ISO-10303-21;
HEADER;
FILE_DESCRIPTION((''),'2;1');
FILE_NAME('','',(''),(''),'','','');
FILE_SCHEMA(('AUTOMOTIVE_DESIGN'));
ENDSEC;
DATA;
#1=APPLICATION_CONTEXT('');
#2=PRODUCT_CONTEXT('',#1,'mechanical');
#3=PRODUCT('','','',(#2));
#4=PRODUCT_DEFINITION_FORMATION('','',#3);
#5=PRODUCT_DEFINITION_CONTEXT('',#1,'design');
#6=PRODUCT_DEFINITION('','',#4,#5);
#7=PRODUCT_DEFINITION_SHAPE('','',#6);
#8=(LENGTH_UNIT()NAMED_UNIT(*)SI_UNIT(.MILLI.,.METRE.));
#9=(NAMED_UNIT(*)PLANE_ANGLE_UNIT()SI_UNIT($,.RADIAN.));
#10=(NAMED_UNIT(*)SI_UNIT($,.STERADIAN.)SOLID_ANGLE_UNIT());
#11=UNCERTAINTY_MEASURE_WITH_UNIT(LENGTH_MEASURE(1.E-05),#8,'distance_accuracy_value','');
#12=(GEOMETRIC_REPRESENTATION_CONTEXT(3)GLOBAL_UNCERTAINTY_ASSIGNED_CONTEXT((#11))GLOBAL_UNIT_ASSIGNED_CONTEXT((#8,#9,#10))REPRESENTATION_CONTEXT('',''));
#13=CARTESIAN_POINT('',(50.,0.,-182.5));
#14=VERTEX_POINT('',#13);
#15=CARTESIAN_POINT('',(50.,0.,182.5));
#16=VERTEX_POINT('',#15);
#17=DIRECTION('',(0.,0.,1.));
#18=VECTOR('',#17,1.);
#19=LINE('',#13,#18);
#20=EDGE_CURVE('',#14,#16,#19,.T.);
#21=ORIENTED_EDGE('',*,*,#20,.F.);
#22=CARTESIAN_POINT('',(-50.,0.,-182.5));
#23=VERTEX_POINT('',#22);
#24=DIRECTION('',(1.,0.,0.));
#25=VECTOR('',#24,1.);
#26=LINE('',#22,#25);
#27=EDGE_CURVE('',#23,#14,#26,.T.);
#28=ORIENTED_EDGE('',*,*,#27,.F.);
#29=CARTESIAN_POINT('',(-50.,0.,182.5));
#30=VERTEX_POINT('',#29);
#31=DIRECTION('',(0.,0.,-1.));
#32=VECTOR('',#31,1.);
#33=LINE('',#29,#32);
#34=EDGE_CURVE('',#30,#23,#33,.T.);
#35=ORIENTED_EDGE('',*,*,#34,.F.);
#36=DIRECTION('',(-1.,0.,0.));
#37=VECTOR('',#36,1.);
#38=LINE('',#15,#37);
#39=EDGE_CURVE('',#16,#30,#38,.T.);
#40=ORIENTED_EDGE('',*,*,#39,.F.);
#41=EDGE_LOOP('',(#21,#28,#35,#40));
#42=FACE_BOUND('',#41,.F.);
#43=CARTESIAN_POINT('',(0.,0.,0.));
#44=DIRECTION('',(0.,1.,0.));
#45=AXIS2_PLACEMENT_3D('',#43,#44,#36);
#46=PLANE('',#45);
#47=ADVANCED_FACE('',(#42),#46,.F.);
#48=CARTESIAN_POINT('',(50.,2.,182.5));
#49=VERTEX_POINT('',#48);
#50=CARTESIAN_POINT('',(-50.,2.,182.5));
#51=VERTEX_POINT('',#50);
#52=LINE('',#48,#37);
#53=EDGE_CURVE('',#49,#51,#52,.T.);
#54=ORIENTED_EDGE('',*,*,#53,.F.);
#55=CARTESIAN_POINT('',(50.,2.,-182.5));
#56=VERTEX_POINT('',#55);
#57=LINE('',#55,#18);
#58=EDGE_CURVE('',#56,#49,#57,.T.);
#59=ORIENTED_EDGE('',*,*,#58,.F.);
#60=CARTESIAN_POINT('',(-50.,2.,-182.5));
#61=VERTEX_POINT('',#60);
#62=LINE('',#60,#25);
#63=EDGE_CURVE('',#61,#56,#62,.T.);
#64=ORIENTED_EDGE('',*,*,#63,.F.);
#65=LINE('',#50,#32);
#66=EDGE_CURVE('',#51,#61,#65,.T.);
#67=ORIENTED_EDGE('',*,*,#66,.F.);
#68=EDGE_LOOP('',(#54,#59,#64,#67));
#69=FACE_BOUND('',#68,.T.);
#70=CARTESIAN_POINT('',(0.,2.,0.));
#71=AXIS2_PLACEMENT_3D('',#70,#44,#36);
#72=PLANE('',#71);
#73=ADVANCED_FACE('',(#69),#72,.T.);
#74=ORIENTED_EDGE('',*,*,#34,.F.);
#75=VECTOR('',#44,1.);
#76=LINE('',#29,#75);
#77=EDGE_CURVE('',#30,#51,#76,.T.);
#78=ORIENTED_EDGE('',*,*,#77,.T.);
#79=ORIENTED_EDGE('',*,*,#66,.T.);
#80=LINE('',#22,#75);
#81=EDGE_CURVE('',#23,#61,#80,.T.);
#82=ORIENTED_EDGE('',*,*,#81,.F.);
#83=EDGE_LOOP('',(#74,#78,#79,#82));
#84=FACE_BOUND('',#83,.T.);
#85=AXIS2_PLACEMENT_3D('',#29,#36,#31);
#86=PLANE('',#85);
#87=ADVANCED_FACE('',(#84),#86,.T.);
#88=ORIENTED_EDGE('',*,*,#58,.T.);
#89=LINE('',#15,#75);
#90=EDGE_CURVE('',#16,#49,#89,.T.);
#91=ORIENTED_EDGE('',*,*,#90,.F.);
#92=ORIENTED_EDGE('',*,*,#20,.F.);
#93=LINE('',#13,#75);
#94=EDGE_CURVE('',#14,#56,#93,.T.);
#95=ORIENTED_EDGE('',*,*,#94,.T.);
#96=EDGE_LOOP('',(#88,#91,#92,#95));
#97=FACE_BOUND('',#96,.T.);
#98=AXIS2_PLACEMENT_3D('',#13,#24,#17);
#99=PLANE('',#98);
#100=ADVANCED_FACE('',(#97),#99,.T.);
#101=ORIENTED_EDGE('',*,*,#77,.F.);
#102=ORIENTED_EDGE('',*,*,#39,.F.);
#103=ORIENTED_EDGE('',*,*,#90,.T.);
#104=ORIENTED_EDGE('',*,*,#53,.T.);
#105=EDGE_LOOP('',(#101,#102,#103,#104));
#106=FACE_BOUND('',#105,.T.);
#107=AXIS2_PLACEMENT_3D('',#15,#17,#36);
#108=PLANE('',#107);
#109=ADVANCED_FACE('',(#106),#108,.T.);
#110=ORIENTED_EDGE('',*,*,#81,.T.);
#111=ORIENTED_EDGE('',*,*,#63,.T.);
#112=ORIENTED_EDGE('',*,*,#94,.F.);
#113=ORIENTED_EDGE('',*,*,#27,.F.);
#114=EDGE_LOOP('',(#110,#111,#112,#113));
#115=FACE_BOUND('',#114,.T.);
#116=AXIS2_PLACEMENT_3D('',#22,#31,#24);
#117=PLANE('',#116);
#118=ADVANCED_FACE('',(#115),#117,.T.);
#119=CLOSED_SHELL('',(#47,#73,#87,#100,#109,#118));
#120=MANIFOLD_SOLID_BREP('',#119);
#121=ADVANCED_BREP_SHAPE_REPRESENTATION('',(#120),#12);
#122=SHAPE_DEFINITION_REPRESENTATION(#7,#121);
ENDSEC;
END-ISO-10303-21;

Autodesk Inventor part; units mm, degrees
ref_plane "YZ Plane" through (0, 0, 0) normal (1, 0, 0) x (0, 1, 0)
ref_plane "XZ Plane" through (0, 0, 0) normal (0, 1, 0) x (-1, 0, 0)
ref_plane "XY Plane" through (0, 0, 0) normal (0, 0, 1) x (1, 0, 0)
sketch "Sketch1" plane through (0, 0, 0) normal (0, 1, 0) x (-1, 0, 0)
  line L0 (-50, 182.5) -> (50, 182.5)
  line L1 (50, 182.5) -> (50, -182.5)
  line L2 (50, -182.5) -> (-50, -182.5)
  line L3 (-50, -182.5) -> (-50, 182.5)
  line L4 (-50, 182.5) -> (50, -182.5) construction
  line L5 (50, 182.5) -> (-50, -182.5) construction
  point P0 (0, 0)
  dimension "d0" = 100
  dimension "d1" = 365
extrude "Extrusion1" add sketch "Sketch1" along normal blind 2
properties part number "DESLIZANTE" material "Steel, Mild, Welded"
